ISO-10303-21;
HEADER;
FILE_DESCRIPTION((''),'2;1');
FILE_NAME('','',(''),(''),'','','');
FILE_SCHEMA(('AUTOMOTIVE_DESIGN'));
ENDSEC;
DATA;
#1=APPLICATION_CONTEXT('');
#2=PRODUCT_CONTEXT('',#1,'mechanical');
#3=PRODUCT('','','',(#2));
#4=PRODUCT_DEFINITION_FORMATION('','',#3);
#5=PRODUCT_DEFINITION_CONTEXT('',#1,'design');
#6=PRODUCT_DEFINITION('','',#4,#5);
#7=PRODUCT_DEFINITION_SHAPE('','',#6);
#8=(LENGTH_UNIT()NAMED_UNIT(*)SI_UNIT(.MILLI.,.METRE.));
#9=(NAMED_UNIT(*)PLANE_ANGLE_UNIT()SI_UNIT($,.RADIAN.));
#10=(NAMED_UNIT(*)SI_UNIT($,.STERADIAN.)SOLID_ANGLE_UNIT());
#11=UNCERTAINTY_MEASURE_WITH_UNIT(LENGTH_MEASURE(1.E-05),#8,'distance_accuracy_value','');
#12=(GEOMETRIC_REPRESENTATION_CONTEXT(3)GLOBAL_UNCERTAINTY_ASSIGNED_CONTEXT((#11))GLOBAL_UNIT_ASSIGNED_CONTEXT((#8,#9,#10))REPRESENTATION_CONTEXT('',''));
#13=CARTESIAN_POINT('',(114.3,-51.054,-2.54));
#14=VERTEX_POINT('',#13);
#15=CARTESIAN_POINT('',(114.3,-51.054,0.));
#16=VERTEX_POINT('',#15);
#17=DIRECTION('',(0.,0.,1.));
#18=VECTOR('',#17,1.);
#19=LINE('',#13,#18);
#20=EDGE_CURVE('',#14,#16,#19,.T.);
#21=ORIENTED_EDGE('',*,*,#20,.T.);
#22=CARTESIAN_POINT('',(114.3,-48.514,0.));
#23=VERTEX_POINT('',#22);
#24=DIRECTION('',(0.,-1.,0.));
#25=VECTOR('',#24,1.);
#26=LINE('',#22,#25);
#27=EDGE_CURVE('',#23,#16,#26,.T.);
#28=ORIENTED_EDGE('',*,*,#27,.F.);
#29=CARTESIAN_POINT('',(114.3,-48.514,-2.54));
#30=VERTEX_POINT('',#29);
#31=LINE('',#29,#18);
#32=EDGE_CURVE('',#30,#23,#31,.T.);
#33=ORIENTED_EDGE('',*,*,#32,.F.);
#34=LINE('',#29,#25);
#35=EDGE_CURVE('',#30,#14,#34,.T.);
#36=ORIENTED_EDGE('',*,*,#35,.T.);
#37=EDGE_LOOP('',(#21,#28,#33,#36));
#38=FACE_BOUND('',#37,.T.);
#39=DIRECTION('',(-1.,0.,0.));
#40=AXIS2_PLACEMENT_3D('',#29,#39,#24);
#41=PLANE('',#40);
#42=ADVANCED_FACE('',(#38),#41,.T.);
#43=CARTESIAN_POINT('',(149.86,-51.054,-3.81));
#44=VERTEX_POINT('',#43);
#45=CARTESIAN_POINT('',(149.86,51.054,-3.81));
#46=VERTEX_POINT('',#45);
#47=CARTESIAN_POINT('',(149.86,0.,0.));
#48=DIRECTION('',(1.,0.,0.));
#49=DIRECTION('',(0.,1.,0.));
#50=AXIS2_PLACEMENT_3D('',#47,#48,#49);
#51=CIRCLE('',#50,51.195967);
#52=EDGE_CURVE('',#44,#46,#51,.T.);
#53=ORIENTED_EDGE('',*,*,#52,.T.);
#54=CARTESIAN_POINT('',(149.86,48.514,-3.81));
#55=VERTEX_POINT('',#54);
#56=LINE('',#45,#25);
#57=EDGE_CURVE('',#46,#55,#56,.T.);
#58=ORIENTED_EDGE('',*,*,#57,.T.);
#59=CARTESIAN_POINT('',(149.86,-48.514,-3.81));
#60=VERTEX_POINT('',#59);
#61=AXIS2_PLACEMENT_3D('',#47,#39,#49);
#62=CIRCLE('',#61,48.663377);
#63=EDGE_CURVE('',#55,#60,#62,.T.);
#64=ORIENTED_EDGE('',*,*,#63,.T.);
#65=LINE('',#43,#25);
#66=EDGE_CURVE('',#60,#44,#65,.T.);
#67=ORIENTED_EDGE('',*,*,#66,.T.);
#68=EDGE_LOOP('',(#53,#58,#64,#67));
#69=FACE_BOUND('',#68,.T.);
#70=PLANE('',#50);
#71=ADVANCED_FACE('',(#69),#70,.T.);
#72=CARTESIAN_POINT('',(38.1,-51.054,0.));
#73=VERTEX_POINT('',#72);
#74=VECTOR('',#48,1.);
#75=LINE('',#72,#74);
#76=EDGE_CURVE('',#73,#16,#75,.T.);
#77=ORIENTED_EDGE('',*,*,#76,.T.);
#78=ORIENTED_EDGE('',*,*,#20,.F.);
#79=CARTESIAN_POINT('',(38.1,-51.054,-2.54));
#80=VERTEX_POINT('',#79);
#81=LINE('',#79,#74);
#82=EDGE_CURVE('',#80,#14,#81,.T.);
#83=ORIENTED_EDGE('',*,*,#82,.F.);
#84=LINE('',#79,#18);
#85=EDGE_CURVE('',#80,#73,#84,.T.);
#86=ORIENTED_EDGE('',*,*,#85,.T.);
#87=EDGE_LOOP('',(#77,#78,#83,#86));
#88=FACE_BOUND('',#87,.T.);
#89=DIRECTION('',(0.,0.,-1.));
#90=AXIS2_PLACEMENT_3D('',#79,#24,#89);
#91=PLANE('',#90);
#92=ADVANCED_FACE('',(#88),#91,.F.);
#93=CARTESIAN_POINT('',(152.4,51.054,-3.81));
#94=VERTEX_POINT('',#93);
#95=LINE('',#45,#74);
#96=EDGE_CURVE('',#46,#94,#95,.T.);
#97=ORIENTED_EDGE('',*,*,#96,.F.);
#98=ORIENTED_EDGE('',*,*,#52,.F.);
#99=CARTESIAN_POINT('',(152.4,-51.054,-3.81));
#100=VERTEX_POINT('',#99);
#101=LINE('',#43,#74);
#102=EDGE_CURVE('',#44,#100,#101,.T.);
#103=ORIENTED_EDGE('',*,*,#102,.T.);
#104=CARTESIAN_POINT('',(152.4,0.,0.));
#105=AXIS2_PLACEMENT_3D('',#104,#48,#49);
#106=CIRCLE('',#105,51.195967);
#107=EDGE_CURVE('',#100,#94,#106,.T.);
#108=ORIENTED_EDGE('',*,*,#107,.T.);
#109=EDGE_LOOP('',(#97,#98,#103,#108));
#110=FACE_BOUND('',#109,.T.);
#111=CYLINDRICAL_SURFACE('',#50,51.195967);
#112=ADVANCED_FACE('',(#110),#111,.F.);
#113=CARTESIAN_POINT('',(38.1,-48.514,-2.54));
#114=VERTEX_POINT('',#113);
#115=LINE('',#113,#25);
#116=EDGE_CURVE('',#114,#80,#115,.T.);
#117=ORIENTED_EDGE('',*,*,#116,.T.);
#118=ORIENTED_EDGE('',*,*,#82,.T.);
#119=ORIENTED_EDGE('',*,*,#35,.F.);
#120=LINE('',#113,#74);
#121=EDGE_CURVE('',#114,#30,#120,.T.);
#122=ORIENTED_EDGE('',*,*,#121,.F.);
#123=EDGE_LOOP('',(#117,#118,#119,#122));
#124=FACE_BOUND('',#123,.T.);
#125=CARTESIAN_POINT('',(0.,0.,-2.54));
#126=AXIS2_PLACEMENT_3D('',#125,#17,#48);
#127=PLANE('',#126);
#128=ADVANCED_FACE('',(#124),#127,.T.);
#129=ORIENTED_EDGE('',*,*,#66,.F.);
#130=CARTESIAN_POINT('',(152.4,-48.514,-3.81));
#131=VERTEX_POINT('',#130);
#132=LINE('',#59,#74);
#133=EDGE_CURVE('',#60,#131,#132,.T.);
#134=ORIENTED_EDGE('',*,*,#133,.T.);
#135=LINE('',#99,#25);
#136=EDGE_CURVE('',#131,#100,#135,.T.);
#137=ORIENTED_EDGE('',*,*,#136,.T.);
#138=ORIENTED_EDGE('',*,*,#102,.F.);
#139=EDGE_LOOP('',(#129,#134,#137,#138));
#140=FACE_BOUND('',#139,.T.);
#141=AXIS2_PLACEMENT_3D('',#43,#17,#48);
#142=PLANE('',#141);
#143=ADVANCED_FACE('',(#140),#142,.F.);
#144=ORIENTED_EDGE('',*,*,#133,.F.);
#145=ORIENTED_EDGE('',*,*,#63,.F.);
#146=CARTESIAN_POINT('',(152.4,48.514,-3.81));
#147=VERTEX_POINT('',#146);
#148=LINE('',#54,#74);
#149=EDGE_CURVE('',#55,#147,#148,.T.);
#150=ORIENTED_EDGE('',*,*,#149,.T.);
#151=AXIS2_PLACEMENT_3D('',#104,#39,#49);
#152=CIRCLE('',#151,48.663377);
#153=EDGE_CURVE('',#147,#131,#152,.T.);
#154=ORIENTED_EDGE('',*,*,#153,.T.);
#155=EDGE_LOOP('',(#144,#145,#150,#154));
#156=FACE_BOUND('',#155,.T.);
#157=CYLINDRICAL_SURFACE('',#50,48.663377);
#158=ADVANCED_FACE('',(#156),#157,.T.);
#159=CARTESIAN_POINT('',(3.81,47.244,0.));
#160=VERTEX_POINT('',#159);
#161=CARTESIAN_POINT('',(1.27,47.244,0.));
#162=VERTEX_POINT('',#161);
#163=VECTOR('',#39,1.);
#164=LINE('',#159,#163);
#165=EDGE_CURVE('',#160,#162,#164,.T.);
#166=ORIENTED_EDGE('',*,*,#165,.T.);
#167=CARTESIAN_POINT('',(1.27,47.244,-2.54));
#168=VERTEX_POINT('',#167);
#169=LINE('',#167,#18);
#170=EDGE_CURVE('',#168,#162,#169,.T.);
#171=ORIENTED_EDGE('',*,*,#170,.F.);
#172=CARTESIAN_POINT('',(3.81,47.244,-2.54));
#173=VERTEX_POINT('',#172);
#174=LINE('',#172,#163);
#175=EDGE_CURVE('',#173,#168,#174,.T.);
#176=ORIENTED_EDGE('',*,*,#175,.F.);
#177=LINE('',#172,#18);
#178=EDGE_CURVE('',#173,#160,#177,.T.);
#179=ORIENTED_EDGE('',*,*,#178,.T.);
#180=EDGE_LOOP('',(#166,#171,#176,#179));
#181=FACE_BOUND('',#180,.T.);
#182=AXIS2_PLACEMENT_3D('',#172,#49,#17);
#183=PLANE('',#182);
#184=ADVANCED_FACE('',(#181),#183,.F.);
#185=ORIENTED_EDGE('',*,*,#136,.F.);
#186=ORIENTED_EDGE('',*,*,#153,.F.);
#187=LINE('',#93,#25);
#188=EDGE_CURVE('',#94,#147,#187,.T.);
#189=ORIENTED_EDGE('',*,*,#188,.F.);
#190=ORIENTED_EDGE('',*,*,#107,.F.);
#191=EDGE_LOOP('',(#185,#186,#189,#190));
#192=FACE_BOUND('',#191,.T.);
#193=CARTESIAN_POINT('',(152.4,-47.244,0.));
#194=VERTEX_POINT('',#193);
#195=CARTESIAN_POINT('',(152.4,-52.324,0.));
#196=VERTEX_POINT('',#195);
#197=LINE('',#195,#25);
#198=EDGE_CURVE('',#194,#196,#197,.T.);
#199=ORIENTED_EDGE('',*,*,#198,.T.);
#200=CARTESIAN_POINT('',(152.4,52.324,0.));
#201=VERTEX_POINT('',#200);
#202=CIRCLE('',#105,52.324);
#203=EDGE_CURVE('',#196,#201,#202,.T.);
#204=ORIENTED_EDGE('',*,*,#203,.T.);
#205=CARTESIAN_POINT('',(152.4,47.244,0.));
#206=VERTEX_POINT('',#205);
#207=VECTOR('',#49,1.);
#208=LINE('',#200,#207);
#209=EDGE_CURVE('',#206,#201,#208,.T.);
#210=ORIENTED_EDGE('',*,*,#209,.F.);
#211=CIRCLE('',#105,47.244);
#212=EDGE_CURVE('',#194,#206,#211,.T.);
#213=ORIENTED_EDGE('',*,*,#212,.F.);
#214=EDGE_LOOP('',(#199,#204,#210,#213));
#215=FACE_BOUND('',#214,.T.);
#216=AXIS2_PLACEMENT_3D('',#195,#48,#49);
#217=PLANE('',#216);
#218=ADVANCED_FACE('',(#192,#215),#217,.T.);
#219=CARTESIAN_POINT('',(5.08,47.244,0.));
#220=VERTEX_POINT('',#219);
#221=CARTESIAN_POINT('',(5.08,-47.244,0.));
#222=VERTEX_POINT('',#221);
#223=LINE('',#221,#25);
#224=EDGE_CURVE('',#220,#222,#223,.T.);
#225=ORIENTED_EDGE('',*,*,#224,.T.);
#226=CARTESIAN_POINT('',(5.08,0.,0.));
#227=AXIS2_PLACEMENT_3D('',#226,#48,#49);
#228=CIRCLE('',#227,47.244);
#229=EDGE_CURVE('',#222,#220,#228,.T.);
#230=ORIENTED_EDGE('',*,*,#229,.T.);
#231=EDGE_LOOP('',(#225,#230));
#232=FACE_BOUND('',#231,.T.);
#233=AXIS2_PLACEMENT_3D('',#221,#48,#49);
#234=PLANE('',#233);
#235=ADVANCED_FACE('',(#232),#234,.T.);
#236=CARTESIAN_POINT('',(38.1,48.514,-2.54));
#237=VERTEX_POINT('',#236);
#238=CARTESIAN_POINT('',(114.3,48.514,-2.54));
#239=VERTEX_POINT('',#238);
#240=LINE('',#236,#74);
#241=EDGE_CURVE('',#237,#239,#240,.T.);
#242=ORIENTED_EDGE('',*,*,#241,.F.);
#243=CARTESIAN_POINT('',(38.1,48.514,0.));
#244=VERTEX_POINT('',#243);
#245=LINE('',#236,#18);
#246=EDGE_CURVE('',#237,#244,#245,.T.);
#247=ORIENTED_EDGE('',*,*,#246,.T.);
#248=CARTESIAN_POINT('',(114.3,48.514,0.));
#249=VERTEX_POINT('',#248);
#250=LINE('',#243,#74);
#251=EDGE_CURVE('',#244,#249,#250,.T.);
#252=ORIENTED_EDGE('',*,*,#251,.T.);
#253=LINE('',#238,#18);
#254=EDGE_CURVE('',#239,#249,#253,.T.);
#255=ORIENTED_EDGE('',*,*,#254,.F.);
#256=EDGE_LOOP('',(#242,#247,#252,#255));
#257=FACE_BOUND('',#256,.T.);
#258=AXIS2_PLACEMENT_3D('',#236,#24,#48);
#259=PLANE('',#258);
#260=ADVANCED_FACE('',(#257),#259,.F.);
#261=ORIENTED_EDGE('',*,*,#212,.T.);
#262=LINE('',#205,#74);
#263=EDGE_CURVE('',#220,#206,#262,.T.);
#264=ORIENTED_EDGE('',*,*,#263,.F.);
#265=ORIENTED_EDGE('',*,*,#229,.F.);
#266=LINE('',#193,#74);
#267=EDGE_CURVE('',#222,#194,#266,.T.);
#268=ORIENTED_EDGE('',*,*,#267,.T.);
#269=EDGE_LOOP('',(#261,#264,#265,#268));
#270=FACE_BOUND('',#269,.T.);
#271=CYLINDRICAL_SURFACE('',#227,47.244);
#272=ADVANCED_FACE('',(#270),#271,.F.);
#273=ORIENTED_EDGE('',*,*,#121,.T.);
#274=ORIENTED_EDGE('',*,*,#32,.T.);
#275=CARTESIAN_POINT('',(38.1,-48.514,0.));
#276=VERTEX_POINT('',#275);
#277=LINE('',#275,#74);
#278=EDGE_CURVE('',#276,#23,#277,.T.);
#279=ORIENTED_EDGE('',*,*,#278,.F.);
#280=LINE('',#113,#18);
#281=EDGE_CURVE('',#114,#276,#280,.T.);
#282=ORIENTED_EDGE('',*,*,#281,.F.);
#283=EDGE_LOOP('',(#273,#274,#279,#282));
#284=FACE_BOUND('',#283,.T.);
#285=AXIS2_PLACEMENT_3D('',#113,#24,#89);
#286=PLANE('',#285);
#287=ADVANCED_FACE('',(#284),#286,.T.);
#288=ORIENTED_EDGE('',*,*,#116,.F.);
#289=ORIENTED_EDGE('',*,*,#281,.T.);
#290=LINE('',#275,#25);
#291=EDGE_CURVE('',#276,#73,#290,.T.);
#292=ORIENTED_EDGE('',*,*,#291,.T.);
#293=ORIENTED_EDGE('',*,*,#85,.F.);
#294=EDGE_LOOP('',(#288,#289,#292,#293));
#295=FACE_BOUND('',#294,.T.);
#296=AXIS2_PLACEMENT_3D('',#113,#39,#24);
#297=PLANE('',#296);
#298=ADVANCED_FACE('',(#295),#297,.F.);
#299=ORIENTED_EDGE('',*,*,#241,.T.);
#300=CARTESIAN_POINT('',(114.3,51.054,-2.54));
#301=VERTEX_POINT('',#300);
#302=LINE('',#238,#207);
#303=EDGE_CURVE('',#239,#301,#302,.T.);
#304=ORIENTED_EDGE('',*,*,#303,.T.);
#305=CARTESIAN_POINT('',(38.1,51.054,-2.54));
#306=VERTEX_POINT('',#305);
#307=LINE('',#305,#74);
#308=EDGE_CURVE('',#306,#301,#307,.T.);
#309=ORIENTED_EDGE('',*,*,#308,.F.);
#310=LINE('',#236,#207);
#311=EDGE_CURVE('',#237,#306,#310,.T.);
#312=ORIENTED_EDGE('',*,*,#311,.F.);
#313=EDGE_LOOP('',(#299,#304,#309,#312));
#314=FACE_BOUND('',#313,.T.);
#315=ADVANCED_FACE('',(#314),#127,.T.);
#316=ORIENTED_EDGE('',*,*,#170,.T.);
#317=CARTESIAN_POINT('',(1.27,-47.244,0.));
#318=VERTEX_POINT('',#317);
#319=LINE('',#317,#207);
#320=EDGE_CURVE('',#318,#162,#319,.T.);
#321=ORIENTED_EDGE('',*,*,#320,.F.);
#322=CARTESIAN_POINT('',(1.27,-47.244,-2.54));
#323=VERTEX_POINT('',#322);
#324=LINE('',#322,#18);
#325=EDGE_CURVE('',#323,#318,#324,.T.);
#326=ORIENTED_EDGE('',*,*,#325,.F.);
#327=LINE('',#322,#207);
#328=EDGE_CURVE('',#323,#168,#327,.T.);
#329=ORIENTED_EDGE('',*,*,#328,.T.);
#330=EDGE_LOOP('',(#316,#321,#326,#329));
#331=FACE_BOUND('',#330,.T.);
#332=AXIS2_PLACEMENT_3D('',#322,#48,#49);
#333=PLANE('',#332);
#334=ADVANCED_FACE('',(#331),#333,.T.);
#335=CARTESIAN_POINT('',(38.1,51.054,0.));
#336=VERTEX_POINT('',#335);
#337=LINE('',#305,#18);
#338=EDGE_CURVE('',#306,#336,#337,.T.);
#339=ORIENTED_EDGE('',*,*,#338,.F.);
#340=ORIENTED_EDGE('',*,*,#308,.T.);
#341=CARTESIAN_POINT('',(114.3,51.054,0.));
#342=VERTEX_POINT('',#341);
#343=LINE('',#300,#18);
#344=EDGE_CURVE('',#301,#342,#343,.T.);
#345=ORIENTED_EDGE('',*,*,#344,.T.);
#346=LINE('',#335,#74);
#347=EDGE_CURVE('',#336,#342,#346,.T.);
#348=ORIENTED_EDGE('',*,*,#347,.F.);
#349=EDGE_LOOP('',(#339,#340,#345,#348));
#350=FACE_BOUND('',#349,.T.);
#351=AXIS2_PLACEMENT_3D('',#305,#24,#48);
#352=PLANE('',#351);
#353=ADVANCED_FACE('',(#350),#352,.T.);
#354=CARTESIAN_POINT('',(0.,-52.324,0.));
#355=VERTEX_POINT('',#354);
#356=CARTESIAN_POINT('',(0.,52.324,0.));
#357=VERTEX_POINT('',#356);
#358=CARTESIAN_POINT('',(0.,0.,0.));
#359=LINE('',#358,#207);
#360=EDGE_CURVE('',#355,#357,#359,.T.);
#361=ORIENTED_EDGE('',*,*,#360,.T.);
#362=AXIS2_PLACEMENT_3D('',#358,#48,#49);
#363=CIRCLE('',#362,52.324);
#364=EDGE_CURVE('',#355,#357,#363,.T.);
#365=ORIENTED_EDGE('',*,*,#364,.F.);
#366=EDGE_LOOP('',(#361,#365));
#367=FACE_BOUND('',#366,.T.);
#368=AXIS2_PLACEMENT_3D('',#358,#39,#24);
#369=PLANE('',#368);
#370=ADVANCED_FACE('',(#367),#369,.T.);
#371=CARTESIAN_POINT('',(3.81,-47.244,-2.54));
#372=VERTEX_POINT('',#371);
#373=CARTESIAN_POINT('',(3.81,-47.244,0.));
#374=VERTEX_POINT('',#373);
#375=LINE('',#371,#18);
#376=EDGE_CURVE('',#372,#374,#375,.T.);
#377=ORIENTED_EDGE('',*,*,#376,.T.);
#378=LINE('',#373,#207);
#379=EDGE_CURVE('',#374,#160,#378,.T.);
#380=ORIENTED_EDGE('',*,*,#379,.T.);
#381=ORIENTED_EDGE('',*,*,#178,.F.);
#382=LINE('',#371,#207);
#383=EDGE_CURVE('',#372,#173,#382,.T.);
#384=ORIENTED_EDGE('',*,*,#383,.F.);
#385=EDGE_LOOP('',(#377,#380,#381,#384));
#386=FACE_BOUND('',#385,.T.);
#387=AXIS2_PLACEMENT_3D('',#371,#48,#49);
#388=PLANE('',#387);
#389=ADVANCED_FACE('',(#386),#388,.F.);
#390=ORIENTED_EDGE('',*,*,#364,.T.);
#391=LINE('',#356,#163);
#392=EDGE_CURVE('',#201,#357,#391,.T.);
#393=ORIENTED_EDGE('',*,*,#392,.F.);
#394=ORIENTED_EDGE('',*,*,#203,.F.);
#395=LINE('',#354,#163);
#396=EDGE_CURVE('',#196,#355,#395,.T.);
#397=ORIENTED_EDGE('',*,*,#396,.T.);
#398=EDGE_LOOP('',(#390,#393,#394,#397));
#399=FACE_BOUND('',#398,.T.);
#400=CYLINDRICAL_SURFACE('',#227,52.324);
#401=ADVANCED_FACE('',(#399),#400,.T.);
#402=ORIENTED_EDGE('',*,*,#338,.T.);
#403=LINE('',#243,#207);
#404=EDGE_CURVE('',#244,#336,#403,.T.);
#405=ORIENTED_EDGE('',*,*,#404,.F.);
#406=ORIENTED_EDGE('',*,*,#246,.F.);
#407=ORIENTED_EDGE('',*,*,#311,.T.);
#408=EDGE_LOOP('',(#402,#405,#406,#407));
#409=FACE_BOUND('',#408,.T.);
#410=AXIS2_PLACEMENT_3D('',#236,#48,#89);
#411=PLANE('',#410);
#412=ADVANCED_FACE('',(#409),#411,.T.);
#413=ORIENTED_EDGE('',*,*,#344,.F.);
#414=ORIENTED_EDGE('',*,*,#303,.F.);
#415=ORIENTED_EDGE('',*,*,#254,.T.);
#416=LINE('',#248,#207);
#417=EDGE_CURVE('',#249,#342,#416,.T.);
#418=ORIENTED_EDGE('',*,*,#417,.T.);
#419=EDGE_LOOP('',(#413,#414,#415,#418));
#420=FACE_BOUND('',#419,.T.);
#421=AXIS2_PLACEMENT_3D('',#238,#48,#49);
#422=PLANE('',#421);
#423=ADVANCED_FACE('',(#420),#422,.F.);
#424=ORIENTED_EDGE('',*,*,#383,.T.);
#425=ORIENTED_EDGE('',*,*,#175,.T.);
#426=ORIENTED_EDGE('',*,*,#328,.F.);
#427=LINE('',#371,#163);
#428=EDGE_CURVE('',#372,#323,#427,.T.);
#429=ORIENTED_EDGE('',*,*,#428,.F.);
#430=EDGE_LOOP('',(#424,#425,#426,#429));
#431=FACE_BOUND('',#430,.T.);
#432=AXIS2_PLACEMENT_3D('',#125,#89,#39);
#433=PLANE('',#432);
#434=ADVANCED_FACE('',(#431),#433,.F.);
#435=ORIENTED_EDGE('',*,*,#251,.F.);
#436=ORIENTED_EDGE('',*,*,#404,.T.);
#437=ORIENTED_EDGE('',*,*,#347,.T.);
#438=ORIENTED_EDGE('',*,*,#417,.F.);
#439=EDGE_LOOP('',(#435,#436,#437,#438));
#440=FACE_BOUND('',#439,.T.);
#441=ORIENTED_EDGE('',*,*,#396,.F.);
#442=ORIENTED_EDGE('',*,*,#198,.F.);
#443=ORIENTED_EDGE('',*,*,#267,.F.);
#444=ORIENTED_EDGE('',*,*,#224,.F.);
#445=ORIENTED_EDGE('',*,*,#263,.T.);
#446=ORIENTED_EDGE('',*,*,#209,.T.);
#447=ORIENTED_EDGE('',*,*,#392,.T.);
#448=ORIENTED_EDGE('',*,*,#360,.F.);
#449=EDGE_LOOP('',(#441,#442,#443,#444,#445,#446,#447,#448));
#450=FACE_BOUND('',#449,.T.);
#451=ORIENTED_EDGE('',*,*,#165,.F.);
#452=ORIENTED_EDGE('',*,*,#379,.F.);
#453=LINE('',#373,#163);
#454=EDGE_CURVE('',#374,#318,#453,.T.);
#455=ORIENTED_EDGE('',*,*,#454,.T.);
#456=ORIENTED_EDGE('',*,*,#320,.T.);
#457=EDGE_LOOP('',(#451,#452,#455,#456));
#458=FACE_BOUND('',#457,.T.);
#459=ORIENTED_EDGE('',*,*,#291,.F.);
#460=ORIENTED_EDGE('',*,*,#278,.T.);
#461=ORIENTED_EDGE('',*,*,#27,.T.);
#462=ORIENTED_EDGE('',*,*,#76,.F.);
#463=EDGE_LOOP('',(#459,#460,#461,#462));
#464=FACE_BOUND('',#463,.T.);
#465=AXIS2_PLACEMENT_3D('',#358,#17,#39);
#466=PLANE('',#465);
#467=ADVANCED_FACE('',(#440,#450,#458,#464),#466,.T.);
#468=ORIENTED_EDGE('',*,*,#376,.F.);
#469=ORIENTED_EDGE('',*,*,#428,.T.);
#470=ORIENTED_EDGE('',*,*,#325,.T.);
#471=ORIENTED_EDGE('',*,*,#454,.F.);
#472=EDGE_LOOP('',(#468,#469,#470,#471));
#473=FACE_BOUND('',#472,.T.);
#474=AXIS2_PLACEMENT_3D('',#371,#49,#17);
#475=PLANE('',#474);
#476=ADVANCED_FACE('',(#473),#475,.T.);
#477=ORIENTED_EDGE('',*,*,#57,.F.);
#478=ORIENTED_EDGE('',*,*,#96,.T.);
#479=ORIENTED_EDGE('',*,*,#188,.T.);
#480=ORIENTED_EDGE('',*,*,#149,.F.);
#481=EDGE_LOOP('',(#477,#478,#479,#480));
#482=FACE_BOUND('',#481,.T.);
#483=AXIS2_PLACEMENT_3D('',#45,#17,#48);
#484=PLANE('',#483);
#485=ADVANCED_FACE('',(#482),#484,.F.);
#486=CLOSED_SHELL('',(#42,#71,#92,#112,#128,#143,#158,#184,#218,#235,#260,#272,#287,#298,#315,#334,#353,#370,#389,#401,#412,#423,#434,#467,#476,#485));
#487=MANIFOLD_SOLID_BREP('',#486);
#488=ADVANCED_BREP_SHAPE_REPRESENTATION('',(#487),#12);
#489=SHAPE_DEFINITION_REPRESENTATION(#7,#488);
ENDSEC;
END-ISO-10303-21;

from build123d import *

# Parameters (mm, degrees)
REVOLVE1_ANGLE     = 180
SKETCH4_W          = 2.54
SKETCH4_H          = 94.488
SKETCH4_W_2        = 76.2
SKETCH4_H_2        = 2.54
CUT_EXTRUDE1_DEPTH = 2.54
CUT_EXTRUDE2_DEPTH = 2.54


with BuildPart() as part:
    # Sketch1 → Revolve1 (revolve)
    with BuildSketch(Plane.XY):
        Polygon((0, 0), (0, 52.324), (152.4, 52.324), (152.4, 47.244), (5.08, 47.244), (5.08, 0), align=None)
    revolve(axis=Axis((5.08, 0, 0), (-1, 0, 0)), revolution_arc=REVOLVE1_ANGLE)

    # Sketch4 → Cut-Extrude1 (cut)
    with BuildSketch(Plane.XY):
        with Locations((2.54, 0)):
            Rectangle(SKETCH4_W, SKETCH4_H)
        with Locations((76.2, 49.784)):
            Rectangle(SKETCH4_W_2, SKETCH4_H_2)
        with Locations((76.2, -49.784)):
            Rectangle(SKETCH4_W_2, SKETCH4_H_2)
    extrude(amount=-CUT_EXTRUDE1_DEPTH, mode=Mode.SUBTRACT)

    # Sketch5 → Cut-Extrude2 (cut)
    with BuildSketch(Plane(origin=(152.4, 0, 0), x_dir=(0, 0, -1), z_dir=(1, 0, 0))):
        with BuildLine():
            Line((3.81, 51.054), (3.81, 48.514))
            ThreePointArc((3.81, 48.514), (48.663377359, 0), (3.81, -48.514))
            Line((3.81, -48.514), (3.81, -51.054))
            ThreePointArc((3.81, -51.054), (51.195966794, 0), (3.81, 51.054))
        make_face()
    extrude(amount=-CUT_EXTRUDE2_DEPTH, mode=Mode.SUBTRACT)


solid = part.part
